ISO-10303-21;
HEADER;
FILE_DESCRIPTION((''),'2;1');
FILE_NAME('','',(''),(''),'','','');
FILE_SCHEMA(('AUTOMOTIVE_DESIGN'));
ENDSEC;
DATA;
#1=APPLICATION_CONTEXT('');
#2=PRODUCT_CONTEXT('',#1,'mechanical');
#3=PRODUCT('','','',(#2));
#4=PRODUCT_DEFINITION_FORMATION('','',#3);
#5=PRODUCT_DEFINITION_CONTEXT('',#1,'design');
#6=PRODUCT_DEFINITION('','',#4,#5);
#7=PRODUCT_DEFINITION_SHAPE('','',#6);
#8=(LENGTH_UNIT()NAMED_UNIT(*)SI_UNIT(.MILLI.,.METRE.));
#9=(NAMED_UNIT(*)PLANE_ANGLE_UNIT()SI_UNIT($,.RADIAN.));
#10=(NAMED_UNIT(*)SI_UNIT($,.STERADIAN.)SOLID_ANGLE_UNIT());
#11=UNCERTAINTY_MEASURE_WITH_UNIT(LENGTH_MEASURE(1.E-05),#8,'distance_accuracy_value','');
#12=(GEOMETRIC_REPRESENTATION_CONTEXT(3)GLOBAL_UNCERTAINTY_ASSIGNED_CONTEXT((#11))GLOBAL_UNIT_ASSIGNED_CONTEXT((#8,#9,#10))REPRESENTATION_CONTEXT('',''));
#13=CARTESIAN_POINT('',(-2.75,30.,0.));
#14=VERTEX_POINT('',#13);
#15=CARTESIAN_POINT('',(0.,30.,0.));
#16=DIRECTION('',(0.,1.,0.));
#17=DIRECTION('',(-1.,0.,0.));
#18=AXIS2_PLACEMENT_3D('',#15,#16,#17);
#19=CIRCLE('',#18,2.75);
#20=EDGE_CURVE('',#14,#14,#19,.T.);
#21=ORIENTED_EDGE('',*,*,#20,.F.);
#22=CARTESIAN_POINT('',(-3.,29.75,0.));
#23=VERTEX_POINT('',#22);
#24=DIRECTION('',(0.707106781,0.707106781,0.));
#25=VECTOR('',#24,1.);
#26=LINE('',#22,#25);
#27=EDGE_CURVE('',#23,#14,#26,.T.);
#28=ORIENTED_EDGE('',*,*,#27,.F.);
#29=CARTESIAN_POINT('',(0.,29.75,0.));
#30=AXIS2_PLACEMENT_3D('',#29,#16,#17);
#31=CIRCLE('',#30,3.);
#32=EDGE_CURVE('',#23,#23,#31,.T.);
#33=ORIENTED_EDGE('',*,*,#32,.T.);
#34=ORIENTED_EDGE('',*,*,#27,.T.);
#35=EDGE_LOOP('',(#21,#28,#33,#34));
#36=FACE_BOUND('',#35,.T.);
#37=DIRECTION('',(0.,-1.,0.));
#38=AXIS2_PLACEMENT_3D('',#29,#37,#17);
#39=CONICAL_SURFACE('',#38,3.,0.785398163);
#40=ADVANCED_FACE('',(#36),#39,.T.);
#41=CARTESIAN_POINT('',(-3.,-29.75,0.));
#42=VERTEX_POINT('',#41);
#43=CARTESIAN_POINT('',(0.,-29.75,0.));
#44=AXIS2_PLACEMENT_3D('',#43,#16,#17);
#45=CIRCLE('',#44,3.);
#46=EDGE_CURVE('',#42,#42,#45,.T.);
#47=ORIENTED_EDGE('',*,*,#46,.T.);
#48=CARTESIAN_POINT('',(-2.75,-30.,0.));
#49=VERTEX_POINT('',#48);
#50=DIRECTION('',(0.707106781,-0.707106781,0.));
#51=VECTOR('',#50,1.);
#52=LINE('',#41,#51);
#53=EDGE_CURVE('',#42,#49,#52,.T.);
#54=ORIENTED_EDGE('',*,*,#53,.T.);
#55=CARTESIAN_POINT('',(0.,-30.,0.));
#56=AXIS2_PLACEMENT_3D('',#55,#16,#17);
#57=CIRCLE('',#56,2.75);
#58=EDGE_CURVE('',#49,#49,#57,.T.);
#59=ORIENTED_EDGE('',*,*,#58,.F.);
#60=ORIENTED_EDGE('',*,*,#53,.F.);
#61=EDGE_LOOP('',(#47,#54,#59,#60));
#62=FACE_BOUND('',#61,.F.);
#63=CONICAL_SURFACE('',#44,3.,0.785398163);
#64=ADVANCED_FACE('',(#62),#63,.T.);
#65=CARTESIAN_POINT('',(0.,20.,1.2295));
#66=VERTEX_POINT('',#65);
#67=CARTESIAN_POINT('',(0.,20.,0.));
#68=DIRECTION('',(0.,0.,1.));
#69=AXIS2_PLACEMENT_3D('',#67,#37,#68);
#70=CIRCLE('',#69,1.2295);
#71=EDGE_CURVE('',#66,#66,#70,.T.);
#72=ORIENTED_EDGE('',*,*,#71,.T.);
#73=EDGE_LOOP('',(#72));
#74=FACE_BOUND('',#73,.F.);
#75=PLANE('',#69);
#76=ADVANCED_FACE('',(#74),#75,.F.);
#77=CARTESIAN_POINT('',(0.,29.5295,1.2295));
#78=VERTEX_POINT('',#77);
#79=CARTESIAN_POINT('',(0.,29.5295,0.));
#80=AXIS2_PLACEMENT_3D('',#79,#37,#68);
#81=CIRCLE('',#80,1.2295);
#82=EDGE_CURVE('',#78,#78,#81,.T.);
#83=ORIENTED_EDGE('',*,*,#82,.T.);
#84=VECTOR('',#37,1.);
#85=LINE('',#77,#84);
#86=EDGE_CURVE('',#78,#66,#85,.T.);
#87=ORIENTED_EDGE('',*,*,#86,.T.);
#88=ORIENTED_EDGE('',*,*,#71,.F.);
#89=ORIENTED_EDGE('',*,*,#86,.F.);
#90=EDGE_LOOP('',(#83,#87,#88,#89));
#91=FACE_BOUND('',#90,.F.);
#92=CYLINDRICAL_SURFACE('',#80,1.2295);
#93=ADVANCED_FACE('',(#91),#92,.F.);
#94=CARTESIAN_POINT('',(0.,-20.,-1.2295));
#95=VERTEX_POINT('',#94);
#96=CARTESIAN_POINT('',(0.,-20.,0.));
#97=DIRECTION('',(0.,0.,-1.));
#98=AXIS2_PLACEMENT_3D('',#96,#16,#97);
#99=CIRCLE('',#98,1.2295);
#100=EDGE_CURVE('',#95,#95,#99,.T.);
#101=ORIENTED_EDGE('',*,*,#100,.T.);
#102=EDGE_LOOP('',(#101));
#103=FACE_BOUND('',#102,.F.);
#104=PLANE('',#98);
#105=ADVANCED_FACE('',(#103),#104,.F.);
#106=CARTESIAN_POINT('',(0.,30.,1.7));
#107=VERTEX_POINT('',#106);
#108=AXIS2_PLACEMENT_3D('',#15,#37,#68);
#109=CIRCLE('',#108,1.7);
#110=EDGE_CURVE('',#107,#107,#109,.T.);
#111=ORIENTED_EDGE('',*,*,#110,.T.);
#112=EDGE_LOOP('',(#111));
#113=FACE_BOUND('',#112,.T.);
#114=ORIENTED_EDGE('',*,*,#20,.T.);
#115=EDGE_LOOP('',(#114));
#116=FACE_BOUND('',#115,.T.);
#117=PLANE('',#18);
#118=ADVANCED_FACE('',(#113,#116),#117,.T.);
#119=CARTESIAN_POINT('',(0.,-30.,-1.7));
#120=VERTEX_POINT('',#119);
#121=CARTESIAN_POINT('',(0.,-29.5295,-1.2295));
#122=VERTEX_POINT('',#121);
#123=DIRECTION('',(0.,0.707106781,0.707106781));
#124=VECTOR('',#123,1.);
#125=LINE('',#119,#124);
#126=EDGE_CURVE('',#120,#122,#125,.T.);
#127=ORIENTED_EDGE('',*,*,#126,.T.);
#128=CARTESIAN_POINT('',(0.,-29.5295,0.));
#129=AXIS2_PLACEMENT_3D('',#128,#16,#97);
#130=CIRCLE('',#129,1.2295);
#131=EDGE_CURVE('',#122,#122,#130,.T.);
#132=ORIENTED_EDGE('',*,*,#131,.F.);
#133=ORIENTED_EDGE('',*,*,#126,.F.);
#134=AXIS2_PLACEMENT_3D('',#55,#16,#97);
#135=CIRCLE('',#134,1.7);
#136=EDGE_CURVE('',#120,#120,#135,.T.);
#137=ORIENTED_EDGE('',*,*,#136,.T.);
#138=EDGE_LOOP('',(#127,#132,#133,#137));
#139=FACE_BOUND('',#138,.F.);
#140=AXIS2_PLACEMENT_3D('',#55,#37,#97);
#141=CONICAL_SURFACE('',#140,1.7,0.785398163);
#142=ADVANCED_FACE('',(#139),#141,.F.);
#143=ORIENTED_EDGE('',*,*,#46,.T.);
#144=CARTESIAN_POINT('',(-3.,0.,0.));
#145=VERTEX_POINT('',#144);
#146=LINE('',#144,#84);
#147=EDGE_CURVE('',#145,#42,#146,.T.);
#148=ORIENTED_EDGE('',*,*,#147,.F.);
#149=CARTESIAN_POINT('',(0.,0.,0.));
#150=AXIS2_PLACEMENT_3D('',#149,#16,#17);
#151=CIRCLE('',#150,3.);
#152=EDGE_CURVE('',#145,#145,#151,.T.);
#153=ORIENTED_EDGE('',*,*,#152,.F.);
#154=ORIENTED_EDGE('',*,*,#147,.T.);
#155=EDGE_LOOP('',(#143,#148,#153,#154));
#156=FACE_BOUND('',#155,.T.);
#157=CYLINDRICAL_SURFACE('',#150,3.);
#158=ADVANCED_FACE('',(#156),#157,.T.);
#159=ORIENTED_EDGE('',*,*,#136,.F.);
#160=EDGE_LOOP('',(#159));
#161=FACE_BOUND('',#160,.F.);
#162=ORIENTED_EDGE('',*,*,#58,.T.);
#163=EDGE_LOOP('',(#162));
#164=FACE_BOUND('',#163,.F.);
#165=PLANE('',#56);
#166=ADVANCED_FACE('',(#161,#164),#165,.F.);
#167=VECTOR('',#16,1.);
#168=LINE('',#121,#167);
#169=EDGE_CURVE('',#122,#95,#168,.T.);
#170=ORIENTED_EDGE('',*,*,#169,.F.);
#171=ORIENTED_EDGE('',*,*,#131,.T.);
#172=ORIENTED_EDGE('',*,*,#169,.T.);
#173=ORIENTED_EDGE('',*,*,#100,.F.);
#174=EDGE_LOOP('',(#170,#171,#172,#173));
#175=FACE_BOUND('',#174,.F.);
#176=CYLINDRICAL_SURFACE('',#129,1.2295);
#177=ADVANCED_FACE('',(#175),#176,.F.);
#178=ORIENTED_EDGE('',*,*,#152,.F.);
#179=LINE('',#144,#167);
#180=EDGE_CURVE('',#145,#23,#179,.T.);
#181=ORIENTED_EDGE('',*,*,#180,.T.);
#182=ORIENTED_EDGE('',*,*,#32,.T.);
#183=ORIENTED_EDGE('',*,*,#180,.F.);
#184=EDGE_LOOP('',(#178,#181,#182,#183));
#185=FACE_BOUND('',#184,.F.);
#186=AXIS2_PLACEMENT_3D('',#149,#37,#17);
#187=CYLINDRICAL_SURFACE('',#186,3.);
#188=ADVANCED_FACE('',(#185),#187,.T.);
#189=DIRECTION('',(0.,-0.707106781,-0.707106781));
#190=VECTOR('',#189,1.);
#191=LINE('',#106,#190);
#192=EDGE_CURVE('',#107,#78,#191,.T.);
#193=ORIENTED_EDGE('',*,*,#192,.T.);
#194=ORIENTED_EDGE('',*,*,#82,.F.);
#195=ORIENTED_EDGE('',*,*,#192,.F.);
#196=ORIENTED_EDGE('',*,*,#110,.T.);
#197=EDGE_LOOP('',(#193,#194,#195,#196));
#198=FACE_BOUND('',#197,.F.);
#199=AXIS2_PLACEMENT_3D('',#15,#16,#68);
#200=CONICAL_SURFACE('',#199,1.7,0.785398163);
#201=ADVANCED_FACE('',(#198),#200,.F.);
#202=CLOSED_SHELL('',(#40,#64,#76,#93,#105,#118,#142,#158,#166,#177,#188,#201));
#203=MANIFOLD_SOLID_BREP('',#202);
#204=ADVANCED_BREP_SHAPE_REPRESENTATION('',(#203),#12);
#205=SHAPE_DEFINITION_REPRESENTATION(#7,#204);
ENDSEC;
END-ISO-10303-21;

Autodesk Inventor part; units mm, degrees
ref_plane "YZ Plane" through (0, 0, 0) normal (1, 0, 0) x (0, 1, 0)
ref_plane "XZ Plane" through (0, 0, 0) normal (0, 1, 0) x (-1, 0, 0)
ref_plane "XY Plane" through (0, 0, 0) normal (0, 0, 1) x (1, 0, 0)
sketch "スケッチ1" plane through (0, 0, 0) normal (0, 1, 0) x (-1, 0, 0)
  circle A0 centre (0, 0) radius 3
  dimension "d0" = 6
extrude "押し出し1" add sketch "スケッチ1" along normal mid plane 60
sketch "スケッチ2" plane through (0, 30, 0) normal (0, 1, 0) x (1, 0, 0)
  point P0 (0, 0)
  point P1 (0, 0)
hole "穴1" at (0, 30, 0) direction (0, -1, 0) diameter 2.459 depth 10 countersink diameter 3.4 countersink angle 90 thread size "M3x0.5" class "6H" standard "ISO Metric profile"
sketch "スケッチ3" plane through (0, -30, 0) normal (0, -1, 0) x (1, 0, 0)
  point P0 (0, 0)
  point P1 (0, 0)
hole "穴2" at (0, -30, 0) direction (0, 1, 0) diameter 2.459 depth 10 countersink diameter 3.4 countersink angle 90 thread size "M3x0.5" class "6H" standard "ISO Metric profile"
chamfer "面取り1" distance 0.25 angle 45 2 edges at (3, -30, 0) (3, 30, 0)
properties part number "Spacer_M3D6L60" material "アルミニウム 6061"
